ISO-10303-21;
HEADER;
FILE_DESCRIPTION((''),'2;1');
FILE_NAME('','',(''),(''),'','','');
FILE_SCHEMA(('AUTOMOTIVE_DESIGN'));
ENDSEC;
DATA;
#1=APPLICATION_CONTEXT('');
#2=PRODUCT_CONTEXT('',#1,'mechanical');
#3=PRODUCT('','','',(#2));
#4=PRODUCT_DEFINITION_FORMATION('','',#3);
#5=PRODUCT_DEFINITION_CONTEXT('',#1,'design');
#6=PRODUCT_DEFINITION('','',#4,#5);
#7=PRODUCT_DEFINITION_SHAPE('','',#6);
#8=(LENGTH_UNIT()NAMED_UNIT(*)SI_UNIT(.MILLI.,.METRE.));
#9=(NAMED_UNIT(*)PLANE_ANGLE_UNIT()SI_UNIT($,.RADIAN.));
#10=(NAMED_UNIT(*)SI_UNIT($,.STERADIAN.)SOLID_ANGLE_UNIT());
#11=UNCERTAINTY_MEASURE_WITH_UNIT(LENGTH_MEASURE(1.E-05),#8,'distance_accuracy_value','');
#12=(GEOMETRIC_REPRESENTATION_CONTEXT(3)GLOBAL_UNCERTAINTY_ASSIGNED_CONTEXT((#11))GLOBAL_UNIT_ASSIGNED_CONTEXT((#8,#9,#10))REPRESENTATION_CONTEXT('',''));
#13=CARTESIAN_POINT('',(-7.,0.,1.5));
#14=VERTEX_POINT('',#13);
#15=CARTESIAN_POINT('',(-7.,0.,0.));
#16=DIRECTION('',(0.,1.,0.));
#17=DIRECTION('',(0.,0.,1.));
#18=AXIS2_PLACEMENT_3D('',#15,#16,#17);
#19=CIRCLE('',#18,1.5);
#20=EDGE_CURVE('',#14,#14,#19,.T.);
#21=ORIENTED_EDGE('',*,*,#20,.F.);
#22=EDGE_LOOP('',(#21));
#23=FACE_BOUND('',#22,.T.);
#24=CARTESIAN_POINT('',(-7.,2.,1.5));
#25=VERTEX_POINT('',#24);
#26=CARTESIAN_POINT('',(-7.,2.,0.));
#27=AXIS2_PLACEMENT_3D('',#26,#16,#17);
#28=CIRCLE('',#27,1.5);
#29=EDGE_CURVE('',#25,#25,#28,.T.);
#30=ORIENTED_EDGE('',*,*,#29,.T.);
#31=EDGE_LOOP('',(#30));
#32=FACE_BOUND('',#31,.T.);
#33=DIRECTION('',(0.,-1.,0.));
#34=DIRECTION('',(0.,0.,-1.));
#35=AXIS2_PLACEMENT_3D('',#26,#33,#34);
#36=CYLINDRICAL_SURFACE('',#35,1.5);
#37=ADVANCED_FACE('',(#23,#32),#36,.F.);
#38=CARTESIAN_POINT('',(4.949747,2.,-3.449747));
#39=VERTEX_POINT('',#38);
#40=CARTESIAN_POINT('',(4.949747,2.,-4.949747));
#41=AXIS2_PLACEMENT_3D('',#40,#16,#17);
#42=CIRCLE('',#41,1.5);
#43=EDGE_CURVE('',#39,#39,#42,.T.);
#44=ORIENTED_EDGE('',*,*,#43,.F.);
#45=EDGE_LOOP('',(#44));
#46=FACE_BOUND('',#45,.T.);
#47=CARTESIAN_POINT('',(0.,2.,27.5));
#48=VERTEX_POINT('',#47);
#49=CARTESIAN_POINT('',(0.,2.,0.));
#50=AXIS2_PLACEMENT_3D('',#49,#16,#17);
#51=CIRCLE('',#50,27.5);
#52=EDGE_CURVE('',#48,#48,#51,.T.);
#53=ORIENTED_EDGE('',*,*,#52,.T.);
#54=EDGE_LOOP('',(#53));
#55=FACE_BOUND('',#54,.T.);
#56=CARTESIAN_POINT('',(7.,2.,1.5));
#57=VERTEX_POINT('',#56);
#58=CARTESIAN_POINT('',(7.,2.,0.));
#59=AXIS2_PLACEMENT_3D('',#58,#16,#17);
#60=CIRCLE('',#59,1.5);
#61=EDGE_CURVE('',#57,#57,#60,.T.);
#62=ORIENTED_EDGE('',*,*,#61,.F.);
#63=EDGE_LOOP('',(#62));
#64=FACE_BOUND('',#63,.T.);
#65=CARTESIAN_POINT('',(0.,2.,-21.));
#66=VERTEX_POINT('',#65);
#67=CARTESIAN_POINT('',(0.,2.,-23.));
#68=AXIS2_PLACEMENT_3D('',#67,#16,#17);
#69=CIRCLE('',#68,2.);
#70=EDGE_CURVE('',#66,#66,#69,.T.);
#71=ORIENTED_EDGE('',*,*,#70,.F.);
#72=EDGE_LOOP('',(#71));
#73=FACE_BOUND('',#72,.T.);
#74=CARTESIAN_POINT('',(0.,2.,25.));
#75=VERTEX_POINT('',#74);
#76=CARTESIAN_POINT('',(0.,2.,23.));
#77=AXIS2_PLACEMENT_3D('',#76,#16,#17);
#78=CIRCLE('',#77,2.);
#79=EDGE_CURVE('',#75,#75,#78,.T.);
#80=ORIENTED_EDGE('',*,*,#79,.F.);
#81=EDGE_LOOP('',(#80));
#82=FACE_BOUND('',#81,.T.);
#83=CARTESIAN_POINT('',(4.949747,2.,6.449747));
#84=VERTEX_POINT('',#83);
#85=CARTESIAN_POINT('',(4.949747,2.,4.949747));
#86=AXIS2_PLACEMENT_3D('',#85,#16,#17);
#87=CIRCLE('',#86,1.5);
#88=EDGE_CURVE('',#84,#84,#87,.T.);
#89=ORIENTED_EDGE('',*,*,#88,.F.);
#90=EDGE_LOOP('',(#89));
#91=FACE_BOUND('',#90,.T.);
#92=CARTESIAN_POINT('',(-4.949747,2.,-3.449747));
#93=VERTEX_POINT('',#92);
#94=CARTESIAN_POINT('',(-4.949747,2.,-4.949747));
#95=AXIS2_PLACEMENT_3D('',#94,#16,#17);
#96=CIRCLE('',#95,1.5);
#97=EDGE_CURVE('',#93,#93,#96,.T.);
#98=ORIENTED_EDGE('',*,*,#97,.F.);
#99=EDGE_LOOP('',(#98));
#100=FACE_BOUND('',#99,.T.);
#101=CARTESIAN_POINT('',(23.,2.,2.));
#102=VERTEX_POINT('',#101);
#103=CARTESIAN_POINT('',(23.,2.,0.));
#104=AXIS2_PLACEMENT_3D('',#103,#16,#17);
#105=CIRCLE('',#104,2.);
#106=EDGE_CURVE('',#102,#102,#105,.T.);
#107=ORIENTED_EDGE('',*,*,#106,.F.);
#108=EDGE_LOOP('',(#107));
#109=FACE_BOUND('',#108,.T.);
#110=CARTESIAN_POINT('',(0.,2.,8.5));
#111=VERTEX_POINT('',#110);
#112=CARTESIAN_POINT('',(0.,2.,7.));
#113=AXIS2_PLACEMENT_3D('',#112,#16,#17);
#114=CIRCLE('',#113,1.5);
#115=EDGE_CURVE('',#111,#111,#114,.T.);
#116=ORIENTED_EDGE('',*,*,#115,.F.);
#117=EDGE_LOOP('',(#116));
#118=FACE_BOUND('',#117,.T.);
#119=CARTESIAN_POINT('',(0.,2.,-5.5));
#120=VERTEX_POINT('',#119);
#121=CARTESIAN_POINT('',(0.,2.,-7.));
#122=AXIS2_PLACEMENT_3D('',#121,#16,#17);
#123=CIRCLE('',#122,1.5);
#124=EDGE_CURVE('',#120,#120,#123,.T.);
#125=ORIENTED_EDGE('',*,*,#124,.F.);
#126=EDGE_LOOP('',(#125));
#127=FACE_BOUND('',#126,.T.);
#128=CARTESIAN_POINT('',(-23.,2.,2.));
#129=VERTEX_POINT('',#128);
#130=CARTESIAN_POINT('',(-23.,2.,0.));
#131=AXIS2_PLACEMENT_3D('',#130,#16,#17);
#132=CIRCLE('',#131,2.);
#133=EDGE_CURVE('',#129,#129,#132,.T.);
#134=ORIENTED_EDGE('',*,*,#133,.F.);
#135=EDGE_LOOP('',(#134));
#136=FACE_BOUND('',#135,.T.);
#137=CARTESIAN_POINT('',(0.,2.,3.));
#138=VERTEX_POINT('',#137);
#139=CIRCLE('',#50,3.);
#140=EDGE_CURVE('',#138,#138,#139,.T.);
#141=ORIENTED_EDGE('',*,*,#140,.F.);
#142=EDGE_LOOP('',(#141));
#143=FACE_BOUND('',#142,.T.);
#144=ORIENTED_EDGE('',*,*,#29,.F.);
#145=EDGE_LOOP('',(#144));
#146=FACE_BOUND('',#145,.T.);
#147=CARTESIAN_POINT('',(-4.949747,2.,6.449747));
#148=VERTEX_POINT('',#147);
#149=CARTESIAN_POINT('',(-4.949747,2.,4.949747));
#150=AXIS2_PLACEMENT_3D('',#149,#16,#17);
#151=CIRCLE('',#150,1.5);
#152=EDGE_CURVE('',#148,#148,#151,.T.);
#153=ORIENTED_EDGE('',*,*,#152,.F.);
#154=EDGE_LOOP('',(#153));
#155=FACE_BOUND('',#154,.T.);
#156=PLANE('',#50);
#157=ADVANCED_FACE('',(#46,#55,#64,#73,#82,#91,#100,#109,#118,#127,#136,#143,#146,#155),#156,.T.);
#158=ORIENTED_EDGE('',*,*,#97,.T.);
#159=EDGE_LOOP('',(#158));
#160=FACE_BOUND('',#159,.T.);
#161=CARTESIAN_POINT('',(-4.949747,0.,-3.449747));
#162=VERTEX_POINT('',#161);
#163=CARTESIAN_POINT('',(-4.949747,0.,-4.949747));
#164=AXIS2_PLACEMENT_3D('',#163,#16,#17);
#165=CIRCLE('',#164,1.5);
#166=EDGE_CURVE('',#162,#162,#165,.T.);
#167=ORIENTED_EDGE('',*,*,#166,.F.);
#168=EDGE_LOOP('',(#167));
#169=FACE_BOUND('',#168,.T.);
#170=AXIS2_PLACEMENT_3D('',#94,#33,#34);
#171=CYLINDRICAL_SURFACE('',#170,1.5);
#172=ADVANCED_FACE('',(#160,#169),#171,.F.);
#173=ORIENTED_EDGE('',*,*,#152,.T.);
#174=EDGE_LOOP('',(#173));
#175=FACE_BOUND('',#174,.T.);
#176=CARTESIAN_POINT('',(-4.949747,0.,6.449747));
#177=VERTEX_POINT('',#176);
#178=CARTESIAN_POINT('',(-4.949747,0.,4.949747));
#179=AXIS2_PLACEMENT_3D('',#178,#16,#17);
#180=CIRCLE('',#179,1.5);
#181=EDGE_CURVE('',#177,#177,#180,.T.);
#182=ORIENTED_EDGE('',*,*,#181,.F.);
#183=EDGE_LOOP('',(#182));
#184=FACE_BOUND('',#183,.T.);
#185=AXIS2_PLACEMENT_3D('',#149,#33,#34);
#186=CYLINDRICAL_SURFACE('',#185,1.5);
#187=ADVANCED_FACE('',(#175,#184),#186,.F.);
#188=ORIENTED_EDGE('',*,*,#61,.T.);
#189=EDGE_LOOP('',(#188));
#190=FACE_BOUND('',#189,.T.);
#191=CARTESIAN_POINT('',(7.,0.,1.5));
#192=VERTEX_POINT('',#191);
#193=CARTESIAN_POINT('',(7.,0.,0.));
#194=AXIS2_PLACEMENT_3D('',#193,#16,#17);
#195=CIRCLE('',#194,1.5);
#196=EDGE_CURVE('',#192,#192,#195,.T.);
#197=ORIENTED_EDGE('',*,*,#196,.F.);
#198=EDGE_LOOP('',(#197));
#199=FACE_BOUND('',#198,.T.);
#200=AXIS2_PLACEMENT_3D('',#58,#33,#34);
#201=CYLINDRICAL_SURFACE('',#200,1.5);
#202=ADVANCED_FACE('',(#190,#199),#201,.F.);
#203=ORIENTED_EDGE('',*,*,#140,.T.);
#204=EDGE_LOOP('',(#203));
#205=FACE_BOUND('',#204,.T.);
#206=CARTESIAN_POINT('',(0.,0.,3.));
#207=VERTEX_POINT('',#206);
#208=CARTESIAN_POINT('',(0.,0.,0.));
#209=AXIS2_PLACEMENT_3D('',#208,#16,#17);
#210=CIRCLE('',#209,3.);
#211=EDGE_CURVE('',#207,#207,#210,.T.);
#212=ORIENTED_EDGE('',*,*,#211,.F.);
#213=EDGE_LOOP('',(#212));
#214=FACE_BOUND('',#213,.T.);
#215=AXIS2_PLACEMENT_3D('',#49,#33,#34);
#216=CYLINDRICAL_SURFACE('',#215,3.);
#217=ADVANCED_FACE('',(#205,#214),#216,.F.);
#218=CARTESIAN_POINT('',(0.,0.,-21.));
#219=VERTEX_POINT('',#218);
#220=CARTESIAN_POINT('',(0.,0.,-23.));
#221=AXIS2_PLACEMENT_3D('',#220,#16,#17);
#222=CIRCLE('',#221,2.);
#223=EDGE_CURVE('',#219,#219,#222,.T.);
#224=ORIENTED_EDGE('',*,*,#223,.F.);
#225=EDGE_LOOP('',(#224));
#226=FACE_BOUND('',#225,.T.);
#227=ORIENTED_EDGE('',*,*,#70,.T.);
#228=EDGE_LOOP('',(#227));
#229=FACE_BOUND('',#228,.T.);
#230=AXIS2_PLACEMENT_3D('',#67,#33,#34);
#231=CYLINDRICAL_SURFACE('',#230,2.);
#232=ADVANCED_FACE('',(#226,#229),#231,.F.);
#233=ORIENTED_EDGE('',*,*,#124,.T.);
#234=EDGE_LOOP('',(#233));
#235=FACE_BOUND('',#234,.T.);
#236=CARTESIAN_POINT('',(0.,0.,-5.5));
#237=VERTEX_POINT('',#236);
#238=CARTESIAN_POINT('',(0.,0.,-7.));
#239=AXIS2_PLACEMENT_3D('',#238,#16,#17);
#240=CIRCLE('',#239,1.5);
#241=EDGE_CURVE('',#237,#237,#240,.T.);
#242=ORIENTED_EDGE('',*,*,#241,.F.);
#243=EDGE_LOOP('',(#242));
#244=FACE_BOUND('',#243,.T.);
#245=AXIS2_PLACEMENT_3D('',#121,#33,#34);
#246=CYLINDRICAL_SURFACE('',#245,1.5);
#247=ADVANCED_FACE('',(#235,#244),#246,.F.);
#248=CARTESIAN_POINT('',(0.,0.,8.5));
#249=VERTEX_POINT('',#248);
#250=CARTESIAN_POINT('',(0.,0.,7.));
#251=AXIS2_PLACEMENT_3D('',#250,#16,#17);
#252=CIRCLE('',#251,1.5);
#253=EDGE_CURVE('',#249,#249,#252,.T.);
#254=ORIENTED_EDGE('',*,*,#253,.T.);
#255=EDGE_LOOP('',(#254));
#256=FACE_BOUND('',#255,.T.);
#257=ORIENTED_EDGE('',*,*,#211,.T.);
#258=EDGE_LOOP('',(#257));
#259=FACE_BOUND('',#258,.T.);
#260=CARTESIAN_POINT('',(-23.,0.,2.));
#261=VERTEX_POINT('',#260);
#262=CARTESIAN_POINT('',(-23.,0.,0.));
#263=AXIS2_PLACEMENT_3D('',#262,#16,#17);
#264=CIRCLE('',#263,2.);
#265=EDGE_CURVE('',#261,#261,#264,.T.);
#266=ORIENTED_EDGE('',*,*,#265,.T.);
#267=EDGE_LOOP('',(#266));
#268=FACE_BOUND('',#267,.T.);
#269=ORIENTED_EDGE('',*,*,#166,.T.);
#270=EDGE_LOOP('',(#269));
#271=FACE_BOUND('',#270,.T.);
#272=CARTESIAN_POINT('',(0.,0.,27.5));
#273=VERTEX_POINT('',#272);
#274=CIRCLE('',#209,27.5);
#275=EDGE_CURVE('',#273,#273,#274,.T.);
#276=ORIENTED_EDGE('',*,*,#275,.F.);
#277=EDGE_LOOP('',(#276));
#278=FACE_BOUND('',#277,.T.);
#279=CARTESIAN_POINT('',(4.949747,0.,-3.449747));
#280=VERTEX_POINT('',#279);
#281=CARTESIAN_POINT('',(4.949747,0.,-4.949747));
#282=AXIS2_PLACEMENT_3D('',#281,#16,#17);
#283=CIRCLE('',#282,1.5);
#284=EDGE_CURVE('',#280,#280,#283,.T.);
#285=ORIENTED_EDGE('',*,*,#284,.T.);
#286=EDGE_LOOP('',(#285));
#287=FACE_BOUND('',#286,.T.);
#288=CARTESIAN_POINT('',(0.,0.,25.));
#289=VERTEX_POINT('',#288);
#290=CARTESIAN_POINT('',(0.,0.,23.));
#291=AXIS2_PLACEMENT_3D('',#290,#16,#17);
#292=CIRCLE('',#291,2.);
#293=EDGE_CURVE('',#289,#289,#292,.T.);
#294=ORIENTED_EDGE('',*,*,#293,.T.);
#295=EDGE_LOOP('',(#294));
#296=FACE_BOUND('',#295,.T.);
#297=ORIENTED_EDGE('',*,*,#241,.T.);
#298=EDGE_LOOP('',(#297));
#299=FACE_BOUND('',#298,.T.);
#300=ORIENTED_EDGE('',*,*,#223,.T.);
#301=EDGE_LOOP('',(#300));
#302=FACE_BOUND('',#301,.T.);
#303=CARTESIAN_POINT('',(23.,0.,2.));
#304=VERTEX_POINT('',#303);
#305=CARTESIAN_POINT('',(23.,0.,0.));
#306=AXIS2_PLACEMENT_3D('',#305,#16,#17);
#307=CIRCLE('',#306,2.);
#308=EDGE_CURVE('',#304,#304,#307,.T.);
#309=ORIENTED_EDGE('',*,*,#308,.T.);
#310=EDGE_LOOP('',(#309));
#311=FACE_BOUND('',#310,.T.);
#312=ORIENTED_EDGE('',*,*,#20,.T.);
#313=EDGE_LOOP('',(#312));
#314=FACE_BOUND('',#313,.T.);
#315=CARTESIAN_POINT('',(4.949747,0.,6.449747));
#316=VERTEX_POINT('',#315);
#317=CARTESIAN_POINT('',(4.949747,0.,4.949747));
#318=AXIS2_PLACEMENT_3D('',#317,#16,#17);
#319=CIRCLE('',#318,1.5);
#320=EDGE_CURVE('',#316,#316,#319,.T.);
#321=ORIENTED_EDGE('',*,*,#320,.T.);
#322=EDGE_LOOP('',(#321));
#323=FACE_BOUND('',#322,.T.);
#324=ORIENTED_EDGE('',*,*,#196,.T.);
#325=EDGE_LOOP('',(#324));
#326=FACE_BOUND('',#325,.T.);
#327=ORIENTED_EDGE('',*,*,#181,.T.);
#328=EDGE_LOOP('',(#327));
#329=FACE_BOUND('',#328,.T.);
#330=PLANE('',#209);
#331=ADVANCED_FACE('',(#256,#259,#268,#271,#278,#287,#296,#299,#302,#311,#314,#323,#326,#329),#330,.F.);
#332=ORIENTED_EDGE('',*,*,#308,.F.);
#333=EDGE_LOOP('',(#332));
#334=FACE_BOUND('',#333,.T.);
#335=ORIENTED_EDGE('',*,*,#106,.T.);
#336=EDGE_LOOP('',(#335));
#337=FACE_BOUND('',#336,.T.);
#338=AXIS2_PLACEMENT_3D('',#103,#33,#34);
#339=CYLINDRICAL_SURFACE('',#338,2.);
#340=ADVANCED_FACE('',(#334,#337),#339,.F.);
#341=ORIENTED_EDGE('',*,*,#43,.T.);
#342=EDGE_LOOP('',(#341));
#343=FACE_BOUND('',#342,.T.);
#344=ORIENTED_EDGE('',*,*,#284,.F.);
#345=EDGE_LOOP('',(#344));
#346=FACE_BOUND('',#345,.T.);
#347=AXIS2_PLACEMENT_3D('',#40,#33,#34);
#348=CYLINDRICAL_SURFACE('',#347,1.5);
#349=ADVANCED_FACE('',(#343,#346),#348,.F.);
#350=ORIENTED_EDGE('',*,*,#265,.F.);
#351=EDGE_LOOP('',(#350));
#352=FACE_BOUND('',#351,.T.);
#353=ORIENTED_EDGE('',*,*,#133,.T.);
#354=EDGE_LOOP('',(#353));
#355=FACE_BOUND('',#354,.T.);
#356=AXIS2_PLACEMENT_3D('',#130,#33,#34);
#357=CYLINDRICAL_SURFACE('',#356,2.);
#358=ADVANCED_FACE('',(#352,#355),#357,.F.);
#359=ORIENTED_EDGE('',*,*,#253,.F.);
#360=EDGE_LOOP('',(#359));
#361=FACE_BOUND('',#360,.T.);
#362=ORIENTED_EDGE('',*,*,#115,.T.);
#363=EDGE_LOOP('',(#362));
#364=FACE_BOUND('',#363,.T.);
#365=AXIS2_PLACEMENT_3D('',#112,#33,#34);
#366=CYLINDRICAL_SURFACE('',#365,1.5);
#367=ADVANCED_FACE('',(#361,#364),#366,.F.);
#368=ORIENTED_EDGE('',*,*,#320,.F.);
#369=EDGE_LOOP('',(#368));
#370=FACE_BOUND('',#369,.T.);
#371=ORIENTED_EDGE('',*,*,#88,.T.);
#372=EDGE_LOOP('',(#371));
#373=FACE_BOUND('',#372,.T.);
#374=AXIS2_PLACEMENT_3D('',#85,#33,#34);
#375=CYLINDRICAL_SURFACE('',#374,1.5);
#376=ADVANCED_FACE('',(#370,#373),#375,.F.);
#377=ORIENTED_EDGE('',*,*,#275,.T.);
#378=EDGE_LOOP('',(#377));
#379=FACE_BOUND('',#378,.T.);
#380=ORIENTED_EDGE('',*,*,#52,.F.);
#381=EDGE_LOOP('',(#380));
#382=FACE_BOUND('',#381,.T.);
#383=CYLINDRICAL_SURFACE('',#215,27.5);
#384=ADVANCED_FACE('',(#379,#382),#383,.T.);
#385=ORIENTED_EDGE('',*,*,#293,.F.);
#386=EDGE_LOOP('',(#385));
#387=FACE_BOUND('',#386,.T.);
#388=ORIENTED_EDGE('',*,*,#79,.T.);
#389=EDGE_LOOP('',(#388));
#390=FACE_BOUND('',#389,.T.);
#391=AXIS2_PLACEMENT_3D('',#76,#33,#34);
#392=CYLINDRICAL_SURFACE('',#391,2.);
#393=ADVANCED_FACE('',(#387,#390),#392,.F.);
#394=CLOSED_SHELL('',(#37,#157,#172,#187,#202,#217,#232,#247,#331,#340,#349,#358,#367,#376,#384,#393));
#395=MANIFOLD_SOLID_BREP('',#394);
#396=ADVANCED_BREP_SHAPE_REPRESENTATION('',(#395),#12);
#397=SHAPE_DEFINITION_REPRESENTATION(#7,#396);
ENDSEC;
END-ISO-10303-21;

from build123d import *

# Parameters (mm, degrees)
SKETCH_1_R      = 27.5
SKETCH_1_R_2    = 1.5
SKETCH_1_R_3    = 3
SKETCH_1_R_4    = 2
EXTRUDE_1_DEPTH = 2


with BuildPart() as part:
    # 草图1 → 凸台-拉伸1 (new body)
    with BuildSketch(Plane(origin=(0, 0, 0), x_dir=(1, 0, 0), z_dir=(0, 1, 0))):
        with Locations(Location((0, 0, 0), (0, 0, 270))):
            Circle(SKETCH_1_R)
        with Locations(Location((0, 7, 0), (0, 0, 270))):
            Circle(SKETCH_1_R_2, mode=Mode.SUBTRACT)
        with Locations(Location((4.949747468, 4.949747468, 0), (0, 0, 270))):
            Circle(SKETCH_1_R_2, mode=Mode.SUBTRACT)
        with Locations(Location((7, 0, 0), (0, 0, 270))):
            Circle(SKETCH_1_R_2, mode=Mode.SUBTRACT)
        with Locations(Location((4.949747468, -4.949747468, 0), (0, 0, 270))):
            Circle(SKETCH_1_R_2, mode=Mode.SUBTRACT)
        with Locations(Location((0, -7, 0), (0, 0, 270))):
            Circle(SKETCH_1_R_2, mode=Mode.SUBTRACT)
        with Locations(Location((-4.949747468, -4.949747468, 0), (0, 0, 270))):
            Circle(SKETCH_1_R_2, mode=Mode.SUBTRACT)
        with Locations(Location((-7, 0, 0), (0, 0, 270))):
            Circle(SKETCH_1_R_2, mode=Mode.SUBTRACT)
        with Locations(Location((-4.949747468, 4.949747468, 0), (0, 0, 270))):
            Circle(SKETCH_1_R_2, mode=Mode.SUBTRACT)
        with Locations(Location((0, 0, 0), (0, 0, 270))):
            Circle(SKETCH_1_R_3, mode=Mode.SUBTRACT)
        with Locations(Location((0, 23, 0), (0, 0, 270))):
            Circle(SKETCH_1_R_4, mode=Mode.SUBTRACT)
        with Locations(Location((23, 0, 0), (0, 0, 270))):
            Circle(SKETCH_1_R_4, mode=Mode.SUBTRACT)
        with Locations(Location((0, -23, 0), (0, 0, 270))):
            Circle(SKETCH_1_R_4, mode=Mode.SUBTRACT)
        with Locations(Location((-23, 0, 0), (0, 0, 270))):
            Circle(SKETCH_1_R_4, mode=Mode.SUBTRACT)
    extrude(amount=EXTRUDE_1_DEPTH)


solid = part.part
